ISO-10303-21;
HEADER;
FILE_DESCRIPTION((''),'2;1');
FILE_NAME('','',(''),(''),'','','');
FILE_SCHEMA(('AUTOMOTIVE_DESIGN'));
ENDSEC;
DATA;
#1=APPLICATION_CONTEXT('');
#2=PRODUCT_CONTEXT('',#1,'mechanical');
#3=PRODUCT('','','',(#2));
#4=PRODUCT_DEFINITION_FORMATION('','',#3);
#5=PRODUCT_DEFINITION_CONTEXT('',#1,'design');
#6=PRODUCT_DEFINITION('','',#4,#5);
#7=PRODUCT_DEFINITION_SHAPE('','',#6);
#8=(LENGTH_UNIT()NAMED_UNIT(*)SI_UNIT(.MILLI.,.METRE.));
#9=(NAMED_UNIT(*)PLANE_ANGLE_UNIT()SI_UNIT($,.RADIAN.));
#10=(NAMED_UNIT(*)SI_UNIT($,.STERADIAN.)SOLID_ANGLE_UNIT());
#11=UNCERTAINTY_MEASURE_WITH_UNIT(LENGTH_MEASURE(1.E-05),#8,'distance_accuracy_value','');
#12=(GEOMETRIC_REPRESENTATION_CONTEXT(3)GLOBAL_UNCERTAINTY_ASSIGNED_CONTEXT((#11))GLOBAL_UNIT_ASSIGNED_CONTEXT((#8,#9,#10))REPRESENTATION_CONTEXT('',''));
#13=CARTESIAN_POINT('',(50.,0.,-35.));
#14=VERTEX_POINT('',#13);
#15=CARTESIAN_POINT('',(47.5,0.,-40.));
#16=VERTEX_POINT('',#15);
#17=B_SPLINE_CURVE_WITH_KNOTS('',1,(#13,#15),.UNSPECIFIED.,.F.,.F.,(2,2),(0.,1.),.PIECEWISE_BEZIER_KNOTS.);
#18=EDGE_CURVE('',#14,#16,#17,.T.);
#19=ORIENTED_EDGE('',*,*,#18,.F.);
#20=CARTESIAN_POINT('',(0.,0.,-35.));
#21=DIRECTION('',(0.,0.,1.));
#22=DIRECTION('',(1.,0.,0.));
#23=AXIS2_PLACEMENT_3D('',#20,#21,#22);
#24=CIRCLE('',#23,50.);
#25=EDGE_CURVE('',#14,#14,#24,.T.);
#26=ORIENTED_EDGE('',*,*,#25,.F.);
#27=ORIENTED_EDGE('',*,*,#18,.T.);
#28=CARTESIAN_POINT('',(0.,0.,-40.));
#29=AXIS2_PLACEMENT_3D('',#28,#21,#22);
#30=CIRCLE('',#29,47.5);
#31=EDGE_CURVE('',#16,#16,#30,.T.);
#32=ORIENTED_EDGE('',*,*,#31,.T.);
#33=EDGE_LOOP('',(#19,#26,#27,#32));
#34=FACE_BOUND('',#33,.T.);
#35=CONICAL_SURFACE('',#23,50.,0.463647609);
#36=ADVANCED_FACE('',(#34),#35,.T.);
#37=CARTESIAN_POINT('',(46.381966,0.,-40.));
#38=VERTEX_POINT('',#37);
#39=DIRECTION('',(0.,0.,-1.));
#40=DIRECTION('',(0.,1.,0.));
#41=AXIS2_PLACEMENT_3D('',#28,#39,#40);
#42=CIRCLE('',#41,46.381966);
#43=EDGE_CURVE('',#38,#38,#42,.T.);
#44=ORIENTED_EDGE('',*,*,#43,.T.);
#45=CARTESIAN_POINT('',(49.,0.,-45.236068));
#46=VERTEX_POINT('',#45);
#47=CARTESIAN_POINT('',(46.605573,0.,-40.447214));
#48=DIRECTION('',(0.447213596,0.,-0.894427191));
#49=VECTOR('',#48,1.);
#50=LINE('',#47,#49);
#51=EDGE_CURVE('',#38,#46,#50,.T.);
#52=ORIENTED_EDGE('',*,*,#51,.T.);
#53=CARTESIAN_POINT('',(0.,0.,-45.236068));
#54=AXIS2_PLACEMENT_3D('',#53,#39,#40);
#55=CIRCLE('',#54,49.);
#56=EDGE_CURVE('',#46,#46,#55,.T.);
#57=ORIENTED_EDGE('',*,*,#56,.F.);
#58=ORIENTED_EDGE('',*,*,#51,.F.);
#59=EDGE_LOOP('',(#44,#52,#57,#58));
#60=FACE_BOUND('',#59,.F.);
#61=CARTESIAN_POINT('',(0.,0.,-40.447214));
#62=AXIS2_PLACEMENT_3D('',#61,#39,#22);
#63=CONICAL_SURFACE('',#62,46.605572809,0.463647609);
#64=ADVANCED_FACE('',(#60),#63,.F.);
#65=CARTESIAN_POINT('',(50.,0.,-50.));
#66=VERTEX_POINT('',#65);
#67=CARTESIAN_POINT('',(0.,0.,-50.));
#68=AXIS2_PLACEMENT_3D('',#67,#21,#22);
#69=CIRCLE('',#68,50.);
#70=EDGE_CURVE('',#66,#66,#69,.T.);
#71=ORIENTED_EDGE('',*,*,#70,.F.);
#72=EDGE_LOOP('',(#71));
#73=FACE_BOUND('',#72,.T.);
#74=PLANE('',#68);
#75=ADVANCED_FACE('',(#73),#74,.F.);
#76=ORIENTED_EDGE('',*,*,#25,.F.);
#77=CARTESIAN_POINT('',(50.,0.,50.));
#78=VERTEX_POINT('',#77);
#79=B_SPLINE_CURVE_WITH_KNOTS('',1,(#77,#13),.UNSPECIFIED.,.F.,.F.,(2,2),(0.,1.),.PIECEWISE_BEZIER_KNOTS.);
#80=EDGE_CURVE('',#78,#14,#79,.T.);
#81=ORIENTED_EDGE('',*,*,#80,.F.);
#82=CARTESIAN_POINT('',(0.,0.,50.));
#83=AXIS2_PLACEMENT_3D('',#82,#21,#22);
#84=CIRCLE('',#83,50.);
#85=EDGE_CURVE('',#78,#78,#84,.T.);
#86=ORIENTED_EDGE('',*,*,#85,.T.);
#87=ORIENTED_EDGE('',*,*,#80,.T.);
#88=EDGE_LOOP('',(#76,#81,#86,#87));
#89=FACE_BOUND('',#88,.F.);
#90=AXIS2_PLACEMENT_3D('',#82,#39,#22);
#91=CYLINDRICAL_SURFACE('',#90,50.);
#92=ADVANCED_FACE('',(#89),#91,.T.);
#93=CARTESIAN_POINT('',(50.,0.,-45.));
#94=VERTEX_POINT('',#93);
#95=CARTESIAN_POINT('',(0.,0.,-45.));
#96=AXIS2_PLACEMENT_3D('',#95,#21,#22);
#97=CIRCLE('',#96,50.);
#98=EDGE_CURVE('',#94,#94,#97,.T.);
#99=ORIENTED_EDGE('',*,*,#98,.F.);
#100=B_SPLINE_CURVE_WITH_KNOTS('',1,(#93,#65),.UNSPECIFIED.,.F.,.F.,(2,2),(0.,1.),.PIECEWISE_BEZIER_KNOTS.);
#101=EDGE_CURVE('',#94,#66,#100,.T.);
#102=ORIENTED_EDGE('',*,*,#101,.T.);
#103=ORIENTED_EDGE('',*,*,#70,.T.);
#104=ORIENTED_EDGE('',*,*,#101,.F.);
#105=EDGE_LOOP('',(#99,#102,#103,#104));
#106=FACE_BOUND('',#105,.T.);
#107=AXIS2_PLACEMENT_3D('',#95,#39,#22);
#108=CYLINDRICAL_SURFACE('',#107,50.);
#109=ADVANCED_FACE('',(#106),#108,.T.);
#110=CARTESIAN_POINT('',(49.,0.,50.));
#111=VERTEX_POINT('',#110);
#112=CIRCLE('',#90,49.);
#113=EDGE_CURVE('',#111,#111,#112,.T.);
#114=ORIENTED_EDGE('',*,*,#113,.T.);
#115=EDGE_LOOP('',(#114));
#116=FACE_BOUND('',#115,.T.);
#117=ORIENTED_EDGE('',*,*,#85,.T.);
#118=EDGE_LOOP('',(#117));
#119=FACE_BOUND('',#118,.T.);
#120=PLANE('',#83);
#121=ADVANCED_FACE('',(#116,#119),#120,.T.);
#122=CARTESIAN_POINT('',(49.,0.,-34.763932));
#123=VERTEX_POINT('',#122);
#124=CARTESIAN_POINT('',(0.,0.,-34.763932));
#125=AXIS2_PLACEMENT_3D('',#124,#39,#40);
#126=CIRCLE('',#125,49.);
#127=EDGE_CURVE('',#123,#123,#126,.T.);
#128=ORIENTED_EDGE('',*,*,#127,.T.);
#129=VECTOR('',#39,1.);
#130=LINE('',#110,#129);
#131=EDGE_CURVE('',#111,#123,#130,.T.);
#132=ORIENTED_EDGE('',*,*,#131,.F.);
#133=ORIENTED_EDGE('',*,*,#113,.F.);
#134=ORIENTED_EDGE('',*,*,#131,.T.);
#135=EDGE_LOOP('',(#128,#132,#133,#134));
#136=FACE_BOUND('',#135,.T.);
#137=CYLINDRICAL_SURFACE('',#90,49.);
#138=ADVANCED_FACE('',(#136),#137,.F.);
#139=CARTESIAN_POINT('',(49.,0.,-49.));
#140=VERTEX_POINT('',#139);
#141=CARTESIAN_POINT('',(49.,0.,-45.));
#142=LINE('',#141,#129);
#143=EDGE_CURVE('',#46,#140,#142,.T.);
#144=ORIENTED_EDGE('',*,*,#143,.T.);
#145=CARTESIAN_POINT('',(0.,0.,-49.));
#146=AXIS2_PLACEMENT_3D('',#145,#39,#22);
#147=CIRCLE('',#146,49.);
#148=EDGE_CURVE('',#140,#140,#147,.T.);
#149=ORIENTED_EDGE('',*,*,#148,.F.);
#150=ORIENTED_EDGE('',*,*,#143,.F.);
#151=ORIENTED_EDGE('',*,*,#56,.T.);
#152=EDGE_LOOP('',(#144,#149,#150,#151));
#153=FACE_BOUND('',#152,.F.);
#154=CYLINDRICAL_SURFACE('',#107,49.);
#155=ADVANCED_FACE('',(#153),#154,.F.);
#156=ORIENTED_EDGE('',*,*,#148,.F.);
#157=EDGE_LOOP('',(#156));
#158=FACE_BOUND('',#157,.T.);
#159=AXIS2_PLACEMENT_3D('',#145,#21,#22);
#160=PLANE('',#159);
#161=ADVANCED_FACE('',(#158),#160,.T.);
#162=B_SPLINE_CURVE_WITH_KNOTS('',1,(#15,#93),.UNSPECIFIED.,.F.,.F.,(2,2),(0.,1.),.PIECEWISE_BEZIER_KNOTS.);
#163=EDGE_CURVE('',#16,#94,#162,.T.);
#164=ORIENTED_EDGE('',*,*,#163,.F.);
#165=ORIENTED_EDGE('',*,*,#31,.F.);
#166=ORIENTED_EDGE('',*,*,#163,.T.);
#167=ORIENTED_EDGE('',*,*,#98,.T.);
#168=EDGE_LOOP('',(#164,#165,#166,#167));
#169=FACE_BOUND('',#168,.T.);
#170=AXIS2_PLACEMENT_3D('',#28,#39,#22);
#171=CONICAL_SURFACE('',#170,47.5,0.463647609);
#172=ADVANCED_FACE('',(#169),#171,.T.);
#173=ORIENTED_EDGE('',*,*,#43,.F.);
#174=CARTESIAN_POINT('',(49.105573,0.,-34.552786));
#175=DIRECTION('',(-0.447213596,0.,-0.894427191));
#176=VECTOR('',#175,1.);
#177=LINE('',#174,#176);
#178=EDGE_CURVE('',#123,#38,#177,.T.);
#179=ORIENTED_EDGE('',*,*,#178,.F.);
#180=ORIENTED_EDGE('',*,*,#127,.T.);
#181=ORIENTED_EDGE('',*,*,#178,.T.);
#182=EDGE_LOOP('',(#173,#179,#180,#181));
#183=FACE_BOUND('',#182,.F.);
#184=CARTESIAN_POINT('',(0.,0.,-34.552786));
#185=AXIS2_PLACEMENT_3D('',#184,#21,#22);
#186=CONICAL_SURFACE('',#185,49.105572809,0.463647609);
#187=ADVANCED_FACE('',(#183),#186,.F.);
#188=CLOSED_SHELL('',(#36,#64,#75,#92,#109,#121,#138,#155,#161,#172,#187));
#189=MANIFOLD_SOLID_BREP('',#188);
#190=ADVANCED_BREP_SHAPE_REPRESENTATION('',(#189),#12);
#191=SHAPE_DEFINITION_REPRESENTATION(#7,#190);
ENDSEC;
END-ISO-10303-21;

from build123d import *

# Parameters (mm, degrees)
F5_R       = 50
F9_R       = 50
F10_FACE_R = 50
F8_R       = 47.5
F11_FACE_R = 47.5
F7_R       = 50
F12_FACE_R = 50
F6_R       = 50
F14_T      = -1


with BuildPart() as f10:
    # F5 (on offset) → F10 section 0
    with BuildSketch(Plane.XY.offset(50)):
        Circle(F5_R)
    # F9 (on offset) → F10 section 1
    with BuildSketch(Plane.XY.offset(-35)):
        Circle(F9_R)
    loft()

    # F10_face (on face) → F11 section 0
    with BuildSketch(Plane(origin=(0, 0, -35), x_dir=(1, 0, 0), z_dir=(0, 0, -1))):
        Circle(F10_FACE_R)
    # F8 (on offset) → F11 section 1
    with BuildSketch(Plane.XY.offset(-40)):
        Circle(F8_R)
    loft()

    # F11_face (on face) → F12 section 0
    with BuildSketch(Plane(origin=(0, 0, -40), x_dir=(1, 0, 0), z_dir=(0, 0, -1))):
        Circle(F11_FACE_R)
    # F7 (on offset) → F12 section 1
    with BuildSketch(Plane.XY.offset(-45)):
        Circle(F7_R)
    loft()

    # F12_face (on face) → F13 section 0
    with BuildSketch(Plane(origin=(0, 0, -45), x_dir=(1, 0, 0), z_dir=(0, 0, -1))):
        Circle(F12_FACE_R)
    # F6 (on offset) → F13 section 1
    with BuildSketch(Plane.XY.offset(-50)):
        Circle(F6_R)
    loft()

    # F14
    f14_openings = [f10.faces().sort_by_distance(p)[0] for p in [
        (0, 0, 50),
    ]]
    offset(amount=F14_T, openings=f14_openings, kind=Kind.INTERSECTION)


solid = f10.part
